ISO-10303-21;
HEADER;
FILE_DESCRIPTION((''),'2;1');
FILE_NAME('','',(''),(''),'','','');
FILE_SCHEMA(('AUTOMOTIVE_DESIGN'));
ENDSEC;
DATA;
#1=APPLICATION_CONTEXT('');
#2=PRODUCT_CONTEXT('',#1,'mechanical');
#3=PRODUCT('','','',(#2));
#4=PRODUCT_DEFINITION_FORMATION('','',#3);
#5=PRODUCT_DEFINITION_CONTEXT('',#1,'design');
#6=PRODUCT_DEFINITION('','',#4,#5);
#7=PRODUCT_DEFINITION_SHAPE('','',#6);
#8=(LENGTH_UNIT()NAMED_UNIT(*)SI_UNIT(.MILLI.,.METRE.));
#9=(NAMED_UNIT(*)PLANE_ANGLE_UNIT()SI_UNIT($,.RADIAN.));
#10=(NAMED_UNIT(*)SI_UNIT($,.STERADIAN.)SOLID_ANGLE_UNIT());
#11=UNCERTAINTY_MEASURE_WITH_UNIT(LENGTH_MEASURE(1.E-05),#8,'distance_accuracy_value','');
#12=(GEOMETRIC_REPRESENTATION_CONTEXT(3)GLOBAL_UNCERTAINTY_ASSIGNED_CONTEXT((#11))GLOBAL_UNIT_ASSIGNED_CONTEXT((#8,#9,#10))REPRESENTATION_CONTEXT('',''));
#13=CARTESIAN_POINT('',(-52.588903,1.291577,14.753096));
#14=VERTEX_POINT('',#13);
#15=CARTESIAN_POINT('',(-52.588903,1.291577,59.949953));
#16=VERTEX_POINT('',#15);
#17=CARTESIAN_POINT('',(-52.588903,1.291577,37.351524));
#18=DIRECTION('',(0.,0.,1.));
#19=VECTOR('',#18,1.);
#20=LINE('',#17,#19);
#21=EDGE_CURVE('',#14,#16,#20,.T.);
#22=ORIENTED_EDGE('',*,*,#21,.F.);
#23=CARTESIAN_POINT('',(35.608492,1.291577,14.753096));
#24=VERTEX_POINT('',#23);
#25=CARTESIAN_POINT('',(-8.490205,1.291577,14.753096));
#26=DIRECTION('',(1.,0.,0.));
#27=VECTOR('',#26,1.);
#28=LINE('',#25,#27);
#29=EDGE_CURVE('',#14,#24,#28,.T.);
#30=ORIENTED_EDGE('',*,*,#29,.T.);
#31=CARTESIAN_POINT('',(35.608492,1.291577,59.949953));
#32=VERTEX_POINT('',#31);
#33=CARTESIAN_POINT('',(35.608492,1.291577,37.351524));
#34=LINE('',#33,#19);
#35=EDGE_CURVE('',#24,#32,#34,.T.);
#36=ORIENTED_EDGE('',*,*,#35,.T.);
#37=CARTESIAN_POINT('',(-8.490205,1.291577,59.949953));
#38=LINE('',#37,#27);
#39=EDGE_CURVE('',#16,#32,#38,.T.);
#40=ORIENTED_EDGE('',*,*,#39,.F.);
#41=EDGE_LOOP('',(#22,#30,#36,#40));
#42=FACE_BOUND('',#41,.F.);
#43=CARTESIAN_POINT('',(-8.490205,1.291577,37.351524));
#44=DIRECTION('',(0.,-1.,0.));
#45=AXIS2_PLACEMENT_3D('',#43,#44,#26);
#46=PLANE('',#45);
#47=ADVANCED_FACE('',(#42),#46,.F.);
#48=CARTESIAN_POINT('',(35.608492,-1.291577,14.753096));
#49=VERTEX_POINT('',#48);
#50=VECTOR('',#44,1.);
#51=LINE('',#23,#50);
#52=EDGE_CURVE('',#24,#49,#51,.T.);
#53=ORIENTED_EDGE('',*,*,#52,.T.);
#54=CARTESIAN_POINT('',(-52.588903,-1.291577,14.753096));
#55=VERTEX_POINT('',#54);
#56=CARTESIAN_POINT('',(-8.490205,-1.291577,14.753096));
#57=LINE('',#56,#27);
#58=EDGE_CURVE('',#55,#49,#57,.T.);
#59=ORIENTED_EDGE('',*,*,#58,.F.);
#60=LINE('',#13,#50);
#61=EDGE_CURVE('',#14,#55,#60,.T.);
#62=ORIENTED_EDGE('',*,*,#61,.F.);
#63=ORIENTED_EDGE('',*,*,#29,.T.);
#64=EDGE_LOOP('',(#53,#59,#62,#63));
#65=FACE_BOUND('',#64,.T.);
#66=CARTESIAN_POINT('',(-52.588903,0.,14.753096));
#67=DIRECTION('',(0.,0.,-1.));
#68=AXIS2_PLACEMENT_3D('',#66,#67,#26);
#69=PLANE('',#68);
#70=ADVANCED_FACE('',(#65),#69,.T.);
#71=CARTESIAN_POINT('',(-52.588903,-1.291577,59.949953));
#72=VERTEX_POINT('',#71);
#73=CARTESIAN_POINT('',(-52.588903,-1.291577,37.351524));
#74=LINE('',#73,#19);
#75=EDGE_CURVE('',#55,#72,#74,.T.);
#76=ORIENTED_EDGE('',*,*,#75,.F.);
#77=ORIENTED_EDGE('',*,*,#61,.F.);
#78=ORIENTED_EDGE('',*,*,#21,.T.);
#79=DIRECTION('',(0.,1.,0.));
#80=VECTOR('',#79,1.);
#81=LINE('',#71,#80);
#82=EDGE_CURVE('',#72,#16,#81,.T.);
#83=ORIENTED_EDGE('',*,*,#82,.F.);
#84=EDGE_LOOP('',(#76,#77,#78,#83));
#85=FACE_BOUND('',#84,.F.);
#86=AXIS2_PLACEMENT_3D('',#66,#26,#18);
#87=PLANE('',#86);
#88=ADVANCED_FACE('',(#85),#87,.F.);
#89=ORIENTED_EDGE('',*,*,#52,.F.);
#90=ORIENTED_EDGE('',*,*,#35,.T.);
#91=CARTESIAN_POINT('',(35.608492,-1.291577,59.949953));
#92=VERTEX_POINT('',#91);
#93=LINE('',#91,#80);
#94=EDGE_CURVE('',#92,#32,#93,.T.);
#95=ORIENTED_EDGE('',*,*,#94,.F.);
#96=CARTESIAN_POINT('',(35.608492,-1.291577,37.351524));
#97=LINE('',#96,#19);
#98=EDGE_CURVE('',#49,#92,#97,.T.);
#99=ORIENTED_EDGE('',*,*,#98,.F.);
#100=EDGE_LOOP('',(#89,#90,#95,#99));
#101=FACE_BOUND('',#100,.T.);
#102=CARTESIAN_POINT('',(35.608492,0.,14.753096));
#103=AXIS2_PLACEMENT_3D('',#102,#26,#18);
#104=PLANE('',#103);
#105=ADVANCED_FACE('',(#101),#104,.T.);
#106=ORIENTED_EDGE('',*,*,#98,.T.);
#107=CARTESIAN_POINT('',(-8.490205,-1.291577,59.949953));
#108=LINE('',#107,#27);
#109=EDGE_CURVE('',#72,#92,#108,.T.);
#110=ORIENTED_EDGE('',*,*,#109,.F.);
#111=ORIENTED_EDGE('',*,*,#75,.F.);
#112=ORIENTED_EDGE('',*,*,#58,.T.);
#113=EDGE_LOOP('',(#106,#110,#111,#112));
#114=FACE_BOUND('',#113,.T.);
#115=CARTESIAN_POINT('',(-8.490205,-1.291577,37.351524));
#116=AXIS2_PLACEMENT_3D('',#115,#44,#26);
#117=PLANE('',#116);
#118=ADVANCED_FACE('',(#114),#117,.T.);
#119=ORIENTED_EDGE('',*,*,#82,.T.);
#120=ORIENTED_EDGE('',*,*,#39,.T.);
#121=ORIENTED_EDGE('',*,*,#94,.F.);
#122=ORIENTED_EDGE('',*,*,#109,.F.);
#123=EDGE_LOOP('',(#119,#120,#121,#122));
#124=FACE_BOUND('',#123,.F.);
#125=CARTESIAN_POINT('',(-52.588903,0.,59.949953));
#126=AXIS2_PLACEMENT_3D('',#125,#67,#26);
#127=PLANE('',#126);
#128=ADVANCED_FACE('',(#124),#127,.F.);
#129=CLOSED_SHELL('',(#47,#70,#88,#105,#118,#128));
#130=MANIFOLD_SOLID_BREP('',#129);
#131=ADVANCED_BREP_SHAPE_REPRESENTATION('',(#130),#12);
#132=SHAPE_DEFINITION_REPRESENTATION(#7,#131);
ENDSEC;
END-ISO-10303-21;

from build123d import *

# Parameters (mm, degrees)
F1_W     = 88.197395
F1_H     = 45.196857
F2_DEPTH = 1.291577


with BuildPart() as f2:
    # F1 (on face) → F2 (new body, symmetric)
    with BuildSketch(Plane.XZ):
        with Locations((-8.490205, 37.351524)):
            Rectangle(F1_W, F1_H)
    extrude(amount=F2_DEPTH, both=True)


solid = f2.part
